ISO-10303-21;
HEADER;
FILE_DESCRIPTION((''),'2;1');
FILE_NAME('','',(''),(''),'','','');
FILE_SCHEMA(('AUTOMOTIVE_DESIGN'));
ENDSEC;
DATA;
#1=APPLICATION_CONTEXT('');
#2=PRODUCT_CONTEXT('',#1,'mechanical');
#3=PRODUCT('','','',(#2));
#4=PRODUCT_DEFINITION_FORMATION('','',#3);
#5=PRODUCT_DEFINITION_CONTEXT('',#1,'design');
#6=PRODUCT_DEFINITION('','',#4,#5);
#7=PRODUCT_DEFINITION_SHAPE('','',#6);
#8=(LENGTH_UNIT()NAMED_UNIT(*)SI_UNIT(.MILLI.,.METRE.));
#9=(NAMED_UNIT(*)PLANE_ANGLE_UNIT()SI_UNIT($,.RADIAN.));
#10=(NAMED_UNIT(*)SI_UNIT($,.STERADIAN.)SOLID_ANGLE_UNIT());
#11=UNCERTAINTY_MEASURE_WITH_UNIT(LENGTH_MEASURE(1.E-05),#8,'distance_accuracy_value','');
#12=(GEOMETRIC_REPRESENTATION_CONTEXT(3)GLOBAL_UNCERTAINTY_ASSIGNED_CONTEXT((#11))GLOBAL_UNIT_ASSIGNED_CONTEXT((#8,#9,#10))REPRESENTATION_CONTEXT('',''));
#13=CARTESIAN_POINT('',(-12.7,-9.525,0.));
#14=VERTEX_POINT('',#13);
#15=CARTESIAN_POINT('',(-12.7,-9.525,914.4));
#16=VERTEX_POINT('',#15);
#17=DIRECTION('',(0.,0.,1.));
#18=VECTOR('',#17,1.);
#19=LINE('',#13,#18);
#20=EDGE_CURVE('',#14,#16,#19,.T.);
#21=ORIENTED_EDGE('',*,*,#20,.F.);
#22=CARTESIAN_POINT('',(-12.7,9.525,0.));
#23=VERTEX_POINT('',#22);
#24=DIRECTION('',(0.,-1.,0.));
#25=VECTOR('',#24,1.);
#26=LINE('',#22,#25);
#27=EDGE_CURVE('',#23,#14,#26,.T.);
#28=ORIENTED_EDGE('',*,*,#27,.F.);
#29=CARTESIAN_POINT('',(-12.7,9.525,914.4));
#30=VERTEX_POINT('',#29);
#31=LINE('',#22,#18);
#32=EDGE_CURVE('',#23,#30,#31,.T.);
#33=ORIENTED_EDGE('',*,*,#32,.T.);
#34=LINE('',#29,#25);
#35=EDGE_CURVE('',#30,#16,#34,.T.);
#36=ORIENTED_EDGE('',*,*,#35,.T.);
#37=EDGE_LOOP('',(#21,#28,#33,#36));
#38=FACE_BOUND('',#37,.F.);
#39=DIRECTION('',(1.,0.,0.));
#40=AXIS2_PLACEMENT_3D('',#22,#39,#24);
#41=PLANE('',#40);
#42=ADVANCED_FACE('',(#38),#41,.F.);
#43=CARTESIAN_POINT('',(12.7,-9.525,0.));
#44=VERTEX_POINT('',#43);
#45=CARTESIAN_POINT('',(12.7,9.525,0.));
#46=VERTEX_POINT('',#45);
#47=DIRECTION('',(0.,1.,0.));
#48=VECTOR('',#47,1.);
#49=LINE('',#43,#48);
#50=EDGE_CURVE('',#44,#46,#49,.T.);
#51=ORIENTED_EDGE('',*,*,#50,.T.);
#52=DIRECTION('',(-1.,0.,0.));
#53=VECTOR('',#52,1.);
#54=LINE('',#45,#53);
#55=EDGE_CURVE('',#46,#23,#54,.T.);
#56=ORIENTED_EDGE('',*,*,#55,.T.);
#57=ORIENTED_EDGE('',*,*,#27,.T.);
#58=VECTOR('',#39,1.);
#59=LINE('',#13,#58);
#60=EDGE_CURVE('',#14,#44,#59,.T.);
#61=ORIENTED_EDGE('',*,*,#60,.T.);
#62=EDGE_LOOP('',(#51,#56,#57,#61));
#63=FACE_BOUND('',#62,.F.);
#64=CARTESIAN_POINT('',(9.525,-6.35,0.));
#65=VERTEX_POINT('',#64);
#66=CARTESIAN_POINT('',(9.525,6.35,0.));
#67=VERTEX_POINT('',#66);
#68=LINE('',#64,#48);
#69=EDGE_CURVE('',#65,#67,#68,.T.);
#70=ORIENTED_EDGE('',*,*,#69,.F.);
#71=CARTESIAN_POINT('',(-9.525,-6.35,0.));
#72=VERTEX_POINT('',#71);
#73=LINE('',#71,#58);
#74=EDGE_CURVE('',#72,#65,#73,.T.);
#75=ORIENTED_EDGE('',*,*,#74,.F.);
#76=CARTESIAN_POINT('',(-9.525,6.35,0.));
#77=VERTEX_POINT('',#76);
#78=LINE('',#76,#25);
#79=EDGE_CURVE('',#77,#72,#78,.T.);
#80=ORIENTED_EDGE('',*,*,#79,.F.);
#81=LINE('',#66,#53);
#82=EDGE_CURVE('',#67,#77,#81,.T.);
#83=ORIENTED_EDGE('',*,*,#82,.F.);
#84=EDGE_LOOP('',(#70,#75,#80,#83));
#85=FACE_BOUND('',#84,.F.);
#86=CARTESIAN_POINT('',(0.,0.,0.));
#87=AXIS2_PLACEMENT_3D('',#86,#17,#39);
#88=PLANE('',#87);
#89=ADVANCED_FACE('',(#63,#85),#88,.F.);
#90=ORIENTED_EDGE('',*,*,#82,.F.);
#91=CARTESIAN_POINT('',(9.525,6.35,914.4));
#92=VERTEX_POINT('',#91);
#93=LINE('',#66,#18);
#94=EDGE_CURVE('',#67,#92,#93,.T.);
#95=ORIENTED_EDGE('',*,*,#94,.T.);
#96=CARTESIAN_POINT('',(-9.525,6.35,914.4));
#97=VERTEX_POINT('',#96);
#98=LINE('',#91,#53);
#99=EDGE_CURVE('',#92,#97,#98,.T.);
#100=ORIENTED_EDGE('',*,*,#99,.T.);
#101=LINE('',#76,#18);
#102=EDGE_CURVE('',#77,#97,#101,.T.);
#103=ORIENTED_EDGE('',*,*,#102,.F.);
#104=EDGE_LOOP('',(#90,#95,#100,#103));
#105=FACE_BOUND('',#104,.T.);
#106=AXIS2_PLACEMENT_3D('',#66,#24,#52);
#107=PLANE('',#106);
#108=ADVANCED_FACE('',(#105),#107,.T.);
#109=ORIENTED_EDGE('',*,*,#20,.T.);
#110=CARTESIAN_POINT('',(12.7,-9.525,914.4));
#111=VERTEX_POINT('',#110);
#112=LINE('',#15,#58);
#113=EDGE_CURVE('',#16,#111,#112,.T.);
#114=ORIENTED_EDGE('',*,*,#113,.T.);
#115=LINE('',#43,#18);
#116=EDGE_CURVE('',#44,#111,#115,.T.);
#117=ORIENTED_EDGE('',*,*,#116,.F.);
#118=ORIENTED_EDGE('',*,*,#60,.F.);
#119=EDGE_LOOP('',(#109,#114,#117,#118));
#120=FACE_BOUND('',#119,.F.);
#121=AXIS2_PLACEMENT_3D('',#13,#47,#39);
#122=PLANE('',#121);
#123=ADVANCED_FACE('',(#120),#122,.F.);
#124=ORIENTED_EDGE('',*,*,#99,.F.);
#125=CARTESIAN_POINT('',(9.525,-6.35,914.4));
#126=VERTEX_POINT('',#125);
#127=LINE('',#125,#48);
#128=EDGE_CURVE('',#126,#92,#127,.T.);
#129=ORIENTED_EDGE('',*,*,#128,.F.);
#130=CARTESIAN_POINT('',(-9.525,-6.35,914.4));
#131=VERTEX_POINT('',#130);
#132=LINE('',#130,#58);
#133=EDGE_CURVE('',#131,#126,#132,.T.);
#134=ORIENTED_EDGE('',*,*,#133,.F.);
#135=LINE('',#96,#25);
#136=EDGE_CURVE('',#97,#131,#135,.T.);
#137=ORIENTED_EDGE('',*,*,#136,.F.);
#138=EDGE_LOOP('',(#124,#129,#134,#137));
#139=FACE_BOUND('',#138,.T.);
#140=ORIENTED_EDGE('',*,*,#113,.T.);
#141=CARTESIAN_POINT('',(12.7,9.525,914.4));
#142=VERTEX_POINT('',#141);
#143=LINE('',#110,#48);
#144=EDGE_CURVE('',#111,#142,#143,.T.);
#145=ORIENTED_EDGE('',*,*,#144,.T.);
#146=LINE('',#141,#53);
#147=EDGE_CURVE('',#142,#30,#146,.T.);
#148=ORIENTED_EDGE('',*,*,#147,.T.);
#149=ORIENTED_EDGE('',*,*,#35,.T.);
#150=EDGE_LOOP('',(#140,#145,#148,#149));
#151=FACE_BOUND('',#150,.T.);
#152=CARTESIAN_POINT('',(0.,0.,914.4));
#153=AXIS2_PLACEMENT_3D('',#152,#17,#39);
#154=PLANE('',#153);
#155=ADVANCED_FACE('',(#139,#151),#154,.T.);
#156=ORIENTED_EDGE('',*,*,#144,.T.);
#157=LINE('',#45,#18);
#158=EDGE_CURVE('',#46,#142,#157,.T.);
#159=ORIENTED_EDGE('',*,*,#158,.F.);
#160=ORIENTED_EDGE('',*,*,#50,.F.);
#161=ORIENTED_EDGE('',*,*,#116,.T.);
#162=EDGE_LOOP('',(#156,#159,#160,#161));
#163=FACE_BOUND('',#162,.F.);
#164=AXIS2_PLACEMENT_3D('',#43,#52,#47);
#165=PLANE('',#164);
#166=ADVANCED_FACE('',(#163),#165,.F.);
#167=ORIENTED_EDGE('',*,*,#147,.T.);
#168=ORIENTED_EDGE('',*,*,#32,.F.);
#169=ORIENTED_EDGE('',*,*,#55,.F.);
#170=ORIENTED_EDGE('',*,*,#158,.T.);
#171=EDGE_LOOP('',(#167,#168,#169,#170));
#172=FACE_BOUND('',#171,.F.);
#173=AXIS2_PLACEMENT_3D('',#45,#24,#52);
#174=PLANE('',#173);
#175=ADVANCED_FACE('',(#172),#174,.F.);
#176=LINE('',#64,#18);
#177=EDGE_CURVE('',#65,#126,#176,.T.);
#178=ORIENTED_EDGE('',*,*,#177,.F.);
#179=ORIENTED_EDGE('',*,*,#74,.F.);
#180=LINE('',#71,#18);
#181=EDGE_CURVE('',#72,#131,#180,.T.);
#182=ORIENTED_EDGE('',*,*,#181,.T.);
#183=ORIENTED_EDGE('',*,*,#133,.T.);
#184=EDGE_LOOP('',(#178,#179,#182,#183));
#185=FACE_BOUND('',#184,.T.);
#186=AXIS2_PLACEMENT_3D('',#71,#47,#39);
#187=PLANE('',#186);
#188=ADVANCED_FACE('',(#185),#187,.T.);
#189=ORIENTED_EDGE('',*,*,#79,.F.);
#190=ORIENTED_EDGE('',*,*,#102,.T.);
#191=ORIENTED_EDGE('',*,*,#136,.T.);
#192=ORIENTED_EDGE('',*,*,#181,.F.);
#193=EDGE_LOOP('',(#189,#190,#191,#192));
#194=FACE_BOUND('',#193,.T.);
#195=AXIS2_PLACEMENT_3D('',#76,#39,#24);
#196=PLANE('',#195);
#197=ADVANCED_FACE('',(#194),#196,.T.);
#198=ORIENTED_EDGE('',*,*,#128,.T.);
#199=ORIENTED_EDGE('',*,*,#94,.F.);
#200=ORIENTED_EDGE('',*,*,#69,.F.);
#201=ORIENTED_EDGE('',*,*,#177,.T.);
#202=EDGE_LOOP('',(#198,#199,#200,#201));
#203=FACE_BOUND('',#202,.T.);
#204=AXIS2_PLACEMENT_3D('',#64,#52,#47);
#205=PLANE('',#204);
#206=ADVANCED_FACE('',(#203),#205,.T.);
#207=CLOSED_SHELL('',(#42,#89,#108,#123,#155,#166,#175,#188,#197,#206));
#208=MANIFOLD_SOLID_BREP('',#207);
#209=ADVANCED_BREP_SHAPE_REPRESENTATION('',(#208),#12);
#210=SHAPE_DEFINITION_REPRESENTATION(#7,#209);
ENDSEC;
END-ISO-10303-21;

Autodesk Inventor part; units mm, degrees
ref_plane "YZ Plane" through (0, 0, 0) normal (1, 0, 0) x (0, 1, 0)
ref_plane "XZ Plane" through (0, 0, 0) normal (0, 1, 0) x (-1, 0, 0)
ref_plane "XY Plane" through (0, 0, 0) normal (0, 0, 1) x (1, 0, 0)
sketch "Sketch1" plane through (0, 0, 0) normal (0, 0, 1) x (1, 0, 0)
  line L0 (-12.7, -9.525) -> (12.7, -9.525)
  line L1 (12.7, -9.525) -> (12.7, 9.525)
  line L2 (12.7, 9.525) -> (-12.7, 9.525)
  line L3 (-12.7, 9.525) -> (-12.7, -9.525)
  line L4 (-12.7, -9.525) -> (12.7, 9.525) construction
  line L5 (12.7, -9.525) -> (-12.7, 9.525) construction
  line L6 (-9.525, -6.35) -> (9.525, -6.35)
  line L7 (9.525, -6.35) -> (9.525, 6.35)
  line L8 (9.525, 6.35) -> (-9.525, 6.35)
  line L9 (-9.525, 6.35) -> (-9.525, -6.35)
  line L10 (-9.525, -6.35) -> (9.525, 6.35) construction
  line L11 (9.525, -6.35) -> (-9.525, 6.35) construction
  point P0 (0, 0)
  dimension "d0" = 25.4
  dimension "d1" = 19.05
  dimension "d2" = 3.175
  dimension "d3" = 3.175
extrude "Extrusion1" add sketch "Sketch1" along normal blind 914.4
properties part number "1x0.75x0.125x36inAluminumExtrusion"
